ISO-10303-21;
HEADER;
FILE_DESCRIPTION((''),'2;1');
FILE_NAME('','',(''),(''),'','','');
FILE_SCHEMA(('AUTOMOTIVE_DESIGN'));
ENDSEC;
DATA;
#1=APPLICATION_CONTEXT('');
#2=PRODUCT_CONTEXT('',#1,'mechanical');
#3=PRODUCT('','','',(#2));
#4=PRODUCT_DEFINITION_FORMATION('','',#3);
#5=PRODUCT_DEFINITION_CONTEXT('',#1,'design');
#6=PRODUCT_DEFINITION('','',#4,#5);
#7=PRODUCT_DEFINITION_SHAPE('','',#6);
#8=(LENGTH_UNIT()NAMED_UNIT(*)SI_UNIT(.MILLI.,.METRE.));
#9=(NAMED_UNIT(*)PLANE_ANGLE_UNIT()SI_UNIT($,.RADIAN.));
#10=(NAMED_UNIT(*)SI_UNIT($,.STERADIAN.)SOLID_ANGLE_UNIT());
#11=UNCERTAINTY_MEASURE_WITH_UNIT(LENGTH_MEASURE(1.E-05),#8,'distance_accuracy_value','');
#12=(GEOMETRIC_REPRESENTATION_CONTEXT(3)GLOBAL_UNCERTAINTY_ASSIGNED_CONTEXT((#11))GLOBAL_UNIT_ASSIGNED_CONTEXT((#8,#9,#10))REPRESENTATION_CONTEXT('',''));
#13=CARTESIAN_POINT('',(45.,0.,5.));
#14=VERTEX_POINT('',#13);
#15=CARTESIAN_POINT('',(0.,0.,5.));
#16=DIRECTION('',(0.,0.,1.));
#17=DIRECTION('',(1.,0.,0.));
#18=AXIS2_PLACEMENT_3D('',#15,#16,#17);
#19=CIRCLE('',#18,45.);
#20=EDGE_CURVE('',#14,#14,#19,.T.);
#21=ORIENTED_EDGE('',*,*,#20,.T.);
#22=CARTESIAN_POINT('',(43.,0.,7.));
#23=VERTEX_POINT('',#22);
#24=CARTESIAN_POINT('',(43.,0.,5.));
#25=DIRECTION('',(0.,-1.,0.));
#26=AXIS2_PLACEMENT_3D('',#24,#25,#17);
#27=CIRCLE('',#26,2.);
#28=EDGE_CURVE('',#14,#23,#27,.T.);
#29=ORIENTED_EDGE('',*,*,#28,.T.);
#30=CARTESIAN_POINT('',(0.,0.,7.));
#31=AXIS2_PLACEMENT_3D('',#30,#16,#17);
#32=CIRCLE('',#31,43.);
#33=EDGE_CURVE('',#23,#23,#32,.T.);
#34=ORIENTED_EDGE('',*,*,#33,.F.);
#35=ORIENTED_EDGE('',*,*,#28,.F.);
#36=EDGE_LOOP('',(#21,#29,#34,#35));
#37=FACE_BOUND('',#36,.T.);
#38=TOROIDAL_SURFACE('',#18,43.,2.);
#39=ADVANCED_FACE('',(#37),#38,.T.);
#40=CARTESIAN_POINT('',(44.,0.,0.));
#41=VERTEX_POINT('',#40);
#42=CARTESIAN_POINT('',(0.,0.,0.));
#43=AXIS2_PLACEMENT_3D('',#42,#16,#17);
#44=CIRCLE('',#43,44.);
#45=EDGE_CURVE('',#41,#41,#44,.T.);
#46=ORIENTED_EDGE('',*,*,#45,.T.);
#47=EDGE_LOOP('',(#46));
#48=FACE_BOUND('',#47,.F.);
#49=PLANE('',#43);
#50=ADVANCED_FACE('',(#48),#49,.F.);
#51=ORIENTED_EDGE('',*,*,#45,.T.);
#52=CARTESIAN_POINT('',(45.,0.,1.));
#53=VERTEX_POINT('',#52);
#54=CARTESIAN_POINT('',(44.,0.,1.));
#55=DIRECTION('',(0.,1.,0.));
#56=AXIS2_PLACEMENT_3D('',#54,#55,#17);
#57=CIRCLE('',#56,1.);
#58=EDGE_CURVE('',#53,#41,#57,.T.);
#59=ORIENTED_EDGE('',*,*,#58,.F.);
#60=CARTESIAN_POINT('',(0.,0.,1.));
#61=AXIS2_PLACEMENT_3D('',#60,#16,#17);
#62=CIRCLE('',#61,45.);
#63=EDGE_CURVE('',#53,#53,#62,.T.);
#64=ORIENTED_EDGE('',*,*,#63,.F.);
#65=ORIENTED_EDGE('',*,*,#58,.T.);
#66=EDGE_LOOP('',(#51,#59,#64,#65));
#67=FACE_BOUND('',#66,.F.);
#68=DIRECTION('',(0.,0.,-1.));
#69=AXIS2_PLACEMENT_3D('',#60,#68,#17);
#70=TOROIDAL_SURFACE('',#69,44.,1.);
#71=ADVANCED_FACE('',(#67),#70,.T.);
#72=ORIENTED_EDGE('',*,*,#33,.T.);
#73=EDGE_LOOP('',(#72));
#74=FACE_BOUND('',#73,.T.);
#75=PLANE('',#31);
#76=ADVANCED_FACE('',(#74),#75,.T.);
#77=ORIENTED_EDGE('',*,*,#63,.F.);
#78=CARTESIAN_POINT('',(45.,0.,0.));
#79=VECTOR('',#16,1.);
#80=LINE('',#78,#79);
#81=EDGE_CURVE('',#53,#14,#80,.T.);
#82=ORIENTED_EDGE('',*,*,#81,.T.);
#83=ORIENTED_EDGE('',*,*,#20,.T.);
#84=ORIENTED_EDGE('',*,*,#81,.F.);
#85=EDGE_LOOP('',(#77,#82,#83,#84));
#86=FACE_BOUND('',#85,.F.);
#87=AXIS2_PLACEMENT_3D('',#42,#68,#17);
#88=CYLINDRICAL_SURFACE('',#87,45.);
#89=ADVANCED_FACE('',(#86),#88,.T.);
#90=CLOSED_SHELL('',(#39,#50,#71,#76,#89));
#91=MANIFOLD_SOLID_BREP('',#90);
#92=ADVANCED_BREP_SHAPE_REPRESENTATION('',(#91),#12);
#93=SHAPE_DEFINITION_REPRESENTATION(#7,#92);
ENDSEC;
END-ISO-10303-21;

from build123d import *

# Parameters (mm, degrees)
CYLINDER009_R     = 45
CYLINDER009_DEPTH = 7
FILLET010_1_R     = 2
FILLET010_2_R     = 1


with BuildPart() as part:
    # Cylinder009 → Cylinder009 (new body)
    with BuildSketch(Plane.XY):
        Circle(CYLINDER009_R)
    extrude(amount=CYLINDER009_DEPTH)

    # Fillet010 1
    fillet010_1_edges = [part.edges().sort_by_distance(p)[0] for p in [
        (-45, 0, 7),
    ]]
    fillet(fillet010_1_edges, radius=FILLET010_1_R)

    # Fillet010 2
    fillet010_2_edges = [part.edges().sort_by_distance(p)[0] for p in [
        (-45, 0, 0),
    ]]
    fillet(fillet010_2_edges, radius=FILLET010_2_R)


solid = part.part
